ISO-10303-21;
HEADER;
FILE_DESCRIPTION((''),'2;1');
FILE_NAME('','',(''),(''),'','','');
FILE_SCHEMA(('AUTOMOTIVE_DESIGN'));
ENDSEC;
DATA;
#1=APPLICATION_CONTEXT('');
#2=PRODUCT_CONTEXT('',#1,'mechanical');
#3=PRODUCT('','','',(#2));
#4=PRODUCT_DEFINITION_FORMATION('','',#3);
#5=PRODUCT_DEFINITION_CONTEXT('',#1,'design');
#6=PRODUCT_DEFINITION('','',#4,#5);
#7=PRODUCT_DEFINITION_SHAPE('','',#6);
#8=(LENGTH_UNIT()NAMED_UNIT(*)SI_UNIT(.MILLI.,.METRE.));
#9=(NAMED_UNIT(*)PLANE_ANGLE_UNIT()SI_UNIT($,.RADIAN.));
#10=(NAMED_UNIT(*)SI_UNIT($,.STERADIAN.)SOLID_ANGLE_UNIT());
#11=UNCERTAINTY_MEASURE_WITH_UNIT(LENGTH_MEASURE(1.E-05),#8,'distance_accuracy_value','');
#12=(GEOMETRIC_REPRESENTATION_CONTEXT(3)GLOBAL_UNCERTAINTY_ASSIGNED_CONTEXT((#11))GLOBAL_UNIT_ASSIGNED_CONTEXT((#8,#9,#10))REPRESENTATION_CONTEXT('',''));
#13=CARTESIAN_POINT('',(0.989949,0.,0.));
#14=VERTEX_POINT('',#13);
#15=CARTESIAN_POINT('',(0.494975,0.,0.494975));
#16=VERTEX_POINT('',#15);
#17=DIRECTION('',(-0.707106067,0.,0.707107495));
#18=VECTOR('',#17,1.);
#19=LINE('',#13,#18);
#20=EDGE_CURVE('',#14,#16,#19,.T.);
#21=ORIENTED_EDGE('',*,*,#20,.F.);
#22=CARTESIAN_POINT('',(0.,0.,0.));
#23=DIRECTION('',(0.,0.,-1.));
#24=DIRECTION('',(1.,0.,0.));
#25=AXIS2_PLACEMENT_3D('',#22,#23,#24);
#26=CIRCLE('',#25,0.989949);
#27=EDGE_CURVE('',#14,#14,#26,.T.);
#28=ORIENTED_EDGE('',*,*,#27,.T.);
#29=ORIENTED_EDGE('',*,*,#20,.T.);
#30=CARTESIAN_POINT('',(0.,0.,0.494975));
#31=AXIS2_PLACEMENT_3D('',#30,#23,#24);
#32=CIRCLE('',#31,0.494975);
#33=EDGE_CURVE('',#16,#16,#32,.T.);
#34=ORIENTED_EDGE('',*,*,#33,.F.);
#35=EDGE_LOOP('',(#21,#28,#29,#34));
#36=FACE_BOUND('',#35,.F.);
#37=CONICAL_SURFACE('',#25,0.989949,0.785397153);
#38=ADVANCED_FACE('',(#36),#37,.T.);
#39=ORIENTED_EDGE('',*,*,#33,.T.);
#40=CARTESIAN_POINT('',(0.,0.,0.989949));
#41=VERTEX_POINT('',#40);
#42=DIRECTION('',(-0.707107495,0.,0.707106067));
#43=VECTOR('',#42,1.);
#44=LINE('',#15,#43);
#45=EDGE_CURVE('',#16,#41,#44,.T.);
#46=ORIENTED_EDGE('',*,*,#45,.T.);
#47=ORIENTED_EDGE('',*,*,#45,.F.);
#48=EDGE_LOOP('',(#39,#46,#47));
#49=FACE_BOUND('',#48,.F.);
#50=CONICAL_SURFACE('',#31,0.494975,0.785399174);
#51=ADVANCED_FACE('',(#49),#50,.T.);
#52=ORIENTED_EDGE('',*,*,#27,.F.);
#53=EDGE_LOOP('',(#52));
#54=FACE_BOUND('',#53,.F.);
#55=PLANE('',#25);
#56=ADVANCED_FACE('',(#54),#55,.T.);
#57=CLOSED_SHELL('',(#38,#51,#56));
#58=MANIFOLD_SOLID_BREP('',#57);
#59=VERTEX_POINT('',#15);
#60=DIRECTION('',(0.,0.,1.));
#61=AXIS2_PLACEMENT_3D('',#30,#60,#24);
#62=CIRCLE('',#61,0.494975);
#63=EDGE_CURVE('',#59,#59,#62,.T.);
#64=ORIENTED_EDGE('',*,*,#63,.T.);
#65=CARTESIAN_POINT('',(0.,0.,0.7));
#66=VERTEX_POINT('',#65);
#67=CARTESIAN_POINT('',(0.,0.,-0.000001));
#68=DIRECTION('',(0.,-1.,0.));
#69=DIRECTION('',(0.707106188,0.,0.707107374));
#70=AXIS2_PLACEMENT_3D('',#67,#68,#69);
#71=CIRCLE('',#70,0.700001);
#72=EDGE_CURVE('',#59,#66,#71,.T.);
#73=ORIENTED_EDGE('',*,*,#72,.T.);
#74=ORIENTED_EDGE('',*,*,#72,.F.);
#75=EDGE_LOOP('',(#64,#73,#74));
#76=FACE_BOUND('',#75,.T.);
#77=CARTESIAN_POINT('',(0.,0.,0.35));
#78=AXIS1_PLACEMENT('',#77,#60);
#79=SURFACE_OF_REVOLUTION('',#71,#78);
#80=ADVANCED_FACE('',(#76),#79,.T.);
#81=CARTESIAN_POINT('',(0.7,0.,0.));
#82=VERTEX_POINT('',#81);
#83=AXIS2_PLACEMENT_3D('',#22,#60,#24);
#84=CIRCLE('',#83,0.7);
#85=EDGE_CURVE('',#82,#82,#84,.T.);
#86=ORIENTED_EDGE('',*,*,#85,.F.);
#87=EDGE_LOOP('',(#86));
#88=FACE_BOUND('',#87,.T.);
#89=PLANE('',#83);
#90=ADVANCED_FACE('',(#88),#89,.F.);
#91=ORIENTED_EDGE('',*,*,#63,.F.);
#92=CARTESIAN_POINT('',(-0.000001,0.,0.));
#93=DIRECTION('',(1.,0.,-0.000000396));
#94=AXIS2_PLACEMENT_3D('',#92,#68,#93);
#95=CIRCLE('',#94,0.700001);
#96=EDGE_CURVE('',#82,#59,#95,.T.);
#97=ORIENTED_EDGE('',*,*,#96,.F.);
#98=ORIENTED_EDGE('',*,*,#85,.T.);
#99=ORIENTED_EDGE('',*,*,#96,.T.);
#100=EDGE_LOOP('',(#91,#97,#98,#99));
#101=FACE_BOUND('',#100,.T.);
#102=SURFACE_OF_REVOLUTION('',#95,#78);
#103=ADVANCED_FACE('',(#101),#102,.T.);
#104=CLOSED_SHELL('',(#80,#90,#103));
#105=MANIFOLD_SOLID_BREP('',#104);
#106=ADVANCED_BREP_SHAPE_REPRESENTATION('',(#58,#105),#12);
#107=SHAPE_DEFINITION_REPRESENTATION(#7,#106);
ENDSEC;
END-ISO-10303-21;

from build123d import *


with BuildPart() as f1:
    # F0 (on Front) → F1 (revolve)
    with BuildSketch(Plane.XZ):
        with BuildLine():
            Line((0, 0), (0.7, 0))
            ThreePointArc((0.7, 0), (0.646716, 0.267878), (0.494975, 0.494975))
            ThreePointArc((0.494975, 0.494975), (0.267878, 0.646716), (0, 0.7))
            Line((0, 0.7), (0, 0))
        make_face()
    revolve(axis=Axis((0, 0, 0.35), (0, 0, 1)))


with BuildPart() as f2:
    # F0 (on Front) → F2 (revolve)
    with BuildSketch(Plane.XZ):
        with BuildLine():
            ThreePointArc((0, 0.7), (0.267878, 0.646716), (0.494975, 0.494975))
            Line((0.494975, 0.494975), (0, 0.989949))
            Line((0, 0.989949), (0, 0.7))
        make_face()
        with BuildLine():
            ThreePointArc((0.494975, 0.494975), (0.646716, 0.267878), (0.7, 0))
            Line((0.7, 0), (0.989949, 0))
            Line((0.989949, 0), (0.494975, 0.494975))
        make_face()
        with BuildLine():
            Line((0, 0), (0.7, 0))
            ThreePointArc((0.7, 0), (0.646716, 0.267878), (0.494975, 0.494975))
            ThreePointArc((0.494975, 0.494975), (0.267878, 0.646716), (0, 0.7))
            Line((0, 0.7), (0, 0))
        make_face()
    revolve(axis=Axis((0, 0, 0.494975), (0, 0, -1)))


solid = Compound([f1.part, f2.part])
